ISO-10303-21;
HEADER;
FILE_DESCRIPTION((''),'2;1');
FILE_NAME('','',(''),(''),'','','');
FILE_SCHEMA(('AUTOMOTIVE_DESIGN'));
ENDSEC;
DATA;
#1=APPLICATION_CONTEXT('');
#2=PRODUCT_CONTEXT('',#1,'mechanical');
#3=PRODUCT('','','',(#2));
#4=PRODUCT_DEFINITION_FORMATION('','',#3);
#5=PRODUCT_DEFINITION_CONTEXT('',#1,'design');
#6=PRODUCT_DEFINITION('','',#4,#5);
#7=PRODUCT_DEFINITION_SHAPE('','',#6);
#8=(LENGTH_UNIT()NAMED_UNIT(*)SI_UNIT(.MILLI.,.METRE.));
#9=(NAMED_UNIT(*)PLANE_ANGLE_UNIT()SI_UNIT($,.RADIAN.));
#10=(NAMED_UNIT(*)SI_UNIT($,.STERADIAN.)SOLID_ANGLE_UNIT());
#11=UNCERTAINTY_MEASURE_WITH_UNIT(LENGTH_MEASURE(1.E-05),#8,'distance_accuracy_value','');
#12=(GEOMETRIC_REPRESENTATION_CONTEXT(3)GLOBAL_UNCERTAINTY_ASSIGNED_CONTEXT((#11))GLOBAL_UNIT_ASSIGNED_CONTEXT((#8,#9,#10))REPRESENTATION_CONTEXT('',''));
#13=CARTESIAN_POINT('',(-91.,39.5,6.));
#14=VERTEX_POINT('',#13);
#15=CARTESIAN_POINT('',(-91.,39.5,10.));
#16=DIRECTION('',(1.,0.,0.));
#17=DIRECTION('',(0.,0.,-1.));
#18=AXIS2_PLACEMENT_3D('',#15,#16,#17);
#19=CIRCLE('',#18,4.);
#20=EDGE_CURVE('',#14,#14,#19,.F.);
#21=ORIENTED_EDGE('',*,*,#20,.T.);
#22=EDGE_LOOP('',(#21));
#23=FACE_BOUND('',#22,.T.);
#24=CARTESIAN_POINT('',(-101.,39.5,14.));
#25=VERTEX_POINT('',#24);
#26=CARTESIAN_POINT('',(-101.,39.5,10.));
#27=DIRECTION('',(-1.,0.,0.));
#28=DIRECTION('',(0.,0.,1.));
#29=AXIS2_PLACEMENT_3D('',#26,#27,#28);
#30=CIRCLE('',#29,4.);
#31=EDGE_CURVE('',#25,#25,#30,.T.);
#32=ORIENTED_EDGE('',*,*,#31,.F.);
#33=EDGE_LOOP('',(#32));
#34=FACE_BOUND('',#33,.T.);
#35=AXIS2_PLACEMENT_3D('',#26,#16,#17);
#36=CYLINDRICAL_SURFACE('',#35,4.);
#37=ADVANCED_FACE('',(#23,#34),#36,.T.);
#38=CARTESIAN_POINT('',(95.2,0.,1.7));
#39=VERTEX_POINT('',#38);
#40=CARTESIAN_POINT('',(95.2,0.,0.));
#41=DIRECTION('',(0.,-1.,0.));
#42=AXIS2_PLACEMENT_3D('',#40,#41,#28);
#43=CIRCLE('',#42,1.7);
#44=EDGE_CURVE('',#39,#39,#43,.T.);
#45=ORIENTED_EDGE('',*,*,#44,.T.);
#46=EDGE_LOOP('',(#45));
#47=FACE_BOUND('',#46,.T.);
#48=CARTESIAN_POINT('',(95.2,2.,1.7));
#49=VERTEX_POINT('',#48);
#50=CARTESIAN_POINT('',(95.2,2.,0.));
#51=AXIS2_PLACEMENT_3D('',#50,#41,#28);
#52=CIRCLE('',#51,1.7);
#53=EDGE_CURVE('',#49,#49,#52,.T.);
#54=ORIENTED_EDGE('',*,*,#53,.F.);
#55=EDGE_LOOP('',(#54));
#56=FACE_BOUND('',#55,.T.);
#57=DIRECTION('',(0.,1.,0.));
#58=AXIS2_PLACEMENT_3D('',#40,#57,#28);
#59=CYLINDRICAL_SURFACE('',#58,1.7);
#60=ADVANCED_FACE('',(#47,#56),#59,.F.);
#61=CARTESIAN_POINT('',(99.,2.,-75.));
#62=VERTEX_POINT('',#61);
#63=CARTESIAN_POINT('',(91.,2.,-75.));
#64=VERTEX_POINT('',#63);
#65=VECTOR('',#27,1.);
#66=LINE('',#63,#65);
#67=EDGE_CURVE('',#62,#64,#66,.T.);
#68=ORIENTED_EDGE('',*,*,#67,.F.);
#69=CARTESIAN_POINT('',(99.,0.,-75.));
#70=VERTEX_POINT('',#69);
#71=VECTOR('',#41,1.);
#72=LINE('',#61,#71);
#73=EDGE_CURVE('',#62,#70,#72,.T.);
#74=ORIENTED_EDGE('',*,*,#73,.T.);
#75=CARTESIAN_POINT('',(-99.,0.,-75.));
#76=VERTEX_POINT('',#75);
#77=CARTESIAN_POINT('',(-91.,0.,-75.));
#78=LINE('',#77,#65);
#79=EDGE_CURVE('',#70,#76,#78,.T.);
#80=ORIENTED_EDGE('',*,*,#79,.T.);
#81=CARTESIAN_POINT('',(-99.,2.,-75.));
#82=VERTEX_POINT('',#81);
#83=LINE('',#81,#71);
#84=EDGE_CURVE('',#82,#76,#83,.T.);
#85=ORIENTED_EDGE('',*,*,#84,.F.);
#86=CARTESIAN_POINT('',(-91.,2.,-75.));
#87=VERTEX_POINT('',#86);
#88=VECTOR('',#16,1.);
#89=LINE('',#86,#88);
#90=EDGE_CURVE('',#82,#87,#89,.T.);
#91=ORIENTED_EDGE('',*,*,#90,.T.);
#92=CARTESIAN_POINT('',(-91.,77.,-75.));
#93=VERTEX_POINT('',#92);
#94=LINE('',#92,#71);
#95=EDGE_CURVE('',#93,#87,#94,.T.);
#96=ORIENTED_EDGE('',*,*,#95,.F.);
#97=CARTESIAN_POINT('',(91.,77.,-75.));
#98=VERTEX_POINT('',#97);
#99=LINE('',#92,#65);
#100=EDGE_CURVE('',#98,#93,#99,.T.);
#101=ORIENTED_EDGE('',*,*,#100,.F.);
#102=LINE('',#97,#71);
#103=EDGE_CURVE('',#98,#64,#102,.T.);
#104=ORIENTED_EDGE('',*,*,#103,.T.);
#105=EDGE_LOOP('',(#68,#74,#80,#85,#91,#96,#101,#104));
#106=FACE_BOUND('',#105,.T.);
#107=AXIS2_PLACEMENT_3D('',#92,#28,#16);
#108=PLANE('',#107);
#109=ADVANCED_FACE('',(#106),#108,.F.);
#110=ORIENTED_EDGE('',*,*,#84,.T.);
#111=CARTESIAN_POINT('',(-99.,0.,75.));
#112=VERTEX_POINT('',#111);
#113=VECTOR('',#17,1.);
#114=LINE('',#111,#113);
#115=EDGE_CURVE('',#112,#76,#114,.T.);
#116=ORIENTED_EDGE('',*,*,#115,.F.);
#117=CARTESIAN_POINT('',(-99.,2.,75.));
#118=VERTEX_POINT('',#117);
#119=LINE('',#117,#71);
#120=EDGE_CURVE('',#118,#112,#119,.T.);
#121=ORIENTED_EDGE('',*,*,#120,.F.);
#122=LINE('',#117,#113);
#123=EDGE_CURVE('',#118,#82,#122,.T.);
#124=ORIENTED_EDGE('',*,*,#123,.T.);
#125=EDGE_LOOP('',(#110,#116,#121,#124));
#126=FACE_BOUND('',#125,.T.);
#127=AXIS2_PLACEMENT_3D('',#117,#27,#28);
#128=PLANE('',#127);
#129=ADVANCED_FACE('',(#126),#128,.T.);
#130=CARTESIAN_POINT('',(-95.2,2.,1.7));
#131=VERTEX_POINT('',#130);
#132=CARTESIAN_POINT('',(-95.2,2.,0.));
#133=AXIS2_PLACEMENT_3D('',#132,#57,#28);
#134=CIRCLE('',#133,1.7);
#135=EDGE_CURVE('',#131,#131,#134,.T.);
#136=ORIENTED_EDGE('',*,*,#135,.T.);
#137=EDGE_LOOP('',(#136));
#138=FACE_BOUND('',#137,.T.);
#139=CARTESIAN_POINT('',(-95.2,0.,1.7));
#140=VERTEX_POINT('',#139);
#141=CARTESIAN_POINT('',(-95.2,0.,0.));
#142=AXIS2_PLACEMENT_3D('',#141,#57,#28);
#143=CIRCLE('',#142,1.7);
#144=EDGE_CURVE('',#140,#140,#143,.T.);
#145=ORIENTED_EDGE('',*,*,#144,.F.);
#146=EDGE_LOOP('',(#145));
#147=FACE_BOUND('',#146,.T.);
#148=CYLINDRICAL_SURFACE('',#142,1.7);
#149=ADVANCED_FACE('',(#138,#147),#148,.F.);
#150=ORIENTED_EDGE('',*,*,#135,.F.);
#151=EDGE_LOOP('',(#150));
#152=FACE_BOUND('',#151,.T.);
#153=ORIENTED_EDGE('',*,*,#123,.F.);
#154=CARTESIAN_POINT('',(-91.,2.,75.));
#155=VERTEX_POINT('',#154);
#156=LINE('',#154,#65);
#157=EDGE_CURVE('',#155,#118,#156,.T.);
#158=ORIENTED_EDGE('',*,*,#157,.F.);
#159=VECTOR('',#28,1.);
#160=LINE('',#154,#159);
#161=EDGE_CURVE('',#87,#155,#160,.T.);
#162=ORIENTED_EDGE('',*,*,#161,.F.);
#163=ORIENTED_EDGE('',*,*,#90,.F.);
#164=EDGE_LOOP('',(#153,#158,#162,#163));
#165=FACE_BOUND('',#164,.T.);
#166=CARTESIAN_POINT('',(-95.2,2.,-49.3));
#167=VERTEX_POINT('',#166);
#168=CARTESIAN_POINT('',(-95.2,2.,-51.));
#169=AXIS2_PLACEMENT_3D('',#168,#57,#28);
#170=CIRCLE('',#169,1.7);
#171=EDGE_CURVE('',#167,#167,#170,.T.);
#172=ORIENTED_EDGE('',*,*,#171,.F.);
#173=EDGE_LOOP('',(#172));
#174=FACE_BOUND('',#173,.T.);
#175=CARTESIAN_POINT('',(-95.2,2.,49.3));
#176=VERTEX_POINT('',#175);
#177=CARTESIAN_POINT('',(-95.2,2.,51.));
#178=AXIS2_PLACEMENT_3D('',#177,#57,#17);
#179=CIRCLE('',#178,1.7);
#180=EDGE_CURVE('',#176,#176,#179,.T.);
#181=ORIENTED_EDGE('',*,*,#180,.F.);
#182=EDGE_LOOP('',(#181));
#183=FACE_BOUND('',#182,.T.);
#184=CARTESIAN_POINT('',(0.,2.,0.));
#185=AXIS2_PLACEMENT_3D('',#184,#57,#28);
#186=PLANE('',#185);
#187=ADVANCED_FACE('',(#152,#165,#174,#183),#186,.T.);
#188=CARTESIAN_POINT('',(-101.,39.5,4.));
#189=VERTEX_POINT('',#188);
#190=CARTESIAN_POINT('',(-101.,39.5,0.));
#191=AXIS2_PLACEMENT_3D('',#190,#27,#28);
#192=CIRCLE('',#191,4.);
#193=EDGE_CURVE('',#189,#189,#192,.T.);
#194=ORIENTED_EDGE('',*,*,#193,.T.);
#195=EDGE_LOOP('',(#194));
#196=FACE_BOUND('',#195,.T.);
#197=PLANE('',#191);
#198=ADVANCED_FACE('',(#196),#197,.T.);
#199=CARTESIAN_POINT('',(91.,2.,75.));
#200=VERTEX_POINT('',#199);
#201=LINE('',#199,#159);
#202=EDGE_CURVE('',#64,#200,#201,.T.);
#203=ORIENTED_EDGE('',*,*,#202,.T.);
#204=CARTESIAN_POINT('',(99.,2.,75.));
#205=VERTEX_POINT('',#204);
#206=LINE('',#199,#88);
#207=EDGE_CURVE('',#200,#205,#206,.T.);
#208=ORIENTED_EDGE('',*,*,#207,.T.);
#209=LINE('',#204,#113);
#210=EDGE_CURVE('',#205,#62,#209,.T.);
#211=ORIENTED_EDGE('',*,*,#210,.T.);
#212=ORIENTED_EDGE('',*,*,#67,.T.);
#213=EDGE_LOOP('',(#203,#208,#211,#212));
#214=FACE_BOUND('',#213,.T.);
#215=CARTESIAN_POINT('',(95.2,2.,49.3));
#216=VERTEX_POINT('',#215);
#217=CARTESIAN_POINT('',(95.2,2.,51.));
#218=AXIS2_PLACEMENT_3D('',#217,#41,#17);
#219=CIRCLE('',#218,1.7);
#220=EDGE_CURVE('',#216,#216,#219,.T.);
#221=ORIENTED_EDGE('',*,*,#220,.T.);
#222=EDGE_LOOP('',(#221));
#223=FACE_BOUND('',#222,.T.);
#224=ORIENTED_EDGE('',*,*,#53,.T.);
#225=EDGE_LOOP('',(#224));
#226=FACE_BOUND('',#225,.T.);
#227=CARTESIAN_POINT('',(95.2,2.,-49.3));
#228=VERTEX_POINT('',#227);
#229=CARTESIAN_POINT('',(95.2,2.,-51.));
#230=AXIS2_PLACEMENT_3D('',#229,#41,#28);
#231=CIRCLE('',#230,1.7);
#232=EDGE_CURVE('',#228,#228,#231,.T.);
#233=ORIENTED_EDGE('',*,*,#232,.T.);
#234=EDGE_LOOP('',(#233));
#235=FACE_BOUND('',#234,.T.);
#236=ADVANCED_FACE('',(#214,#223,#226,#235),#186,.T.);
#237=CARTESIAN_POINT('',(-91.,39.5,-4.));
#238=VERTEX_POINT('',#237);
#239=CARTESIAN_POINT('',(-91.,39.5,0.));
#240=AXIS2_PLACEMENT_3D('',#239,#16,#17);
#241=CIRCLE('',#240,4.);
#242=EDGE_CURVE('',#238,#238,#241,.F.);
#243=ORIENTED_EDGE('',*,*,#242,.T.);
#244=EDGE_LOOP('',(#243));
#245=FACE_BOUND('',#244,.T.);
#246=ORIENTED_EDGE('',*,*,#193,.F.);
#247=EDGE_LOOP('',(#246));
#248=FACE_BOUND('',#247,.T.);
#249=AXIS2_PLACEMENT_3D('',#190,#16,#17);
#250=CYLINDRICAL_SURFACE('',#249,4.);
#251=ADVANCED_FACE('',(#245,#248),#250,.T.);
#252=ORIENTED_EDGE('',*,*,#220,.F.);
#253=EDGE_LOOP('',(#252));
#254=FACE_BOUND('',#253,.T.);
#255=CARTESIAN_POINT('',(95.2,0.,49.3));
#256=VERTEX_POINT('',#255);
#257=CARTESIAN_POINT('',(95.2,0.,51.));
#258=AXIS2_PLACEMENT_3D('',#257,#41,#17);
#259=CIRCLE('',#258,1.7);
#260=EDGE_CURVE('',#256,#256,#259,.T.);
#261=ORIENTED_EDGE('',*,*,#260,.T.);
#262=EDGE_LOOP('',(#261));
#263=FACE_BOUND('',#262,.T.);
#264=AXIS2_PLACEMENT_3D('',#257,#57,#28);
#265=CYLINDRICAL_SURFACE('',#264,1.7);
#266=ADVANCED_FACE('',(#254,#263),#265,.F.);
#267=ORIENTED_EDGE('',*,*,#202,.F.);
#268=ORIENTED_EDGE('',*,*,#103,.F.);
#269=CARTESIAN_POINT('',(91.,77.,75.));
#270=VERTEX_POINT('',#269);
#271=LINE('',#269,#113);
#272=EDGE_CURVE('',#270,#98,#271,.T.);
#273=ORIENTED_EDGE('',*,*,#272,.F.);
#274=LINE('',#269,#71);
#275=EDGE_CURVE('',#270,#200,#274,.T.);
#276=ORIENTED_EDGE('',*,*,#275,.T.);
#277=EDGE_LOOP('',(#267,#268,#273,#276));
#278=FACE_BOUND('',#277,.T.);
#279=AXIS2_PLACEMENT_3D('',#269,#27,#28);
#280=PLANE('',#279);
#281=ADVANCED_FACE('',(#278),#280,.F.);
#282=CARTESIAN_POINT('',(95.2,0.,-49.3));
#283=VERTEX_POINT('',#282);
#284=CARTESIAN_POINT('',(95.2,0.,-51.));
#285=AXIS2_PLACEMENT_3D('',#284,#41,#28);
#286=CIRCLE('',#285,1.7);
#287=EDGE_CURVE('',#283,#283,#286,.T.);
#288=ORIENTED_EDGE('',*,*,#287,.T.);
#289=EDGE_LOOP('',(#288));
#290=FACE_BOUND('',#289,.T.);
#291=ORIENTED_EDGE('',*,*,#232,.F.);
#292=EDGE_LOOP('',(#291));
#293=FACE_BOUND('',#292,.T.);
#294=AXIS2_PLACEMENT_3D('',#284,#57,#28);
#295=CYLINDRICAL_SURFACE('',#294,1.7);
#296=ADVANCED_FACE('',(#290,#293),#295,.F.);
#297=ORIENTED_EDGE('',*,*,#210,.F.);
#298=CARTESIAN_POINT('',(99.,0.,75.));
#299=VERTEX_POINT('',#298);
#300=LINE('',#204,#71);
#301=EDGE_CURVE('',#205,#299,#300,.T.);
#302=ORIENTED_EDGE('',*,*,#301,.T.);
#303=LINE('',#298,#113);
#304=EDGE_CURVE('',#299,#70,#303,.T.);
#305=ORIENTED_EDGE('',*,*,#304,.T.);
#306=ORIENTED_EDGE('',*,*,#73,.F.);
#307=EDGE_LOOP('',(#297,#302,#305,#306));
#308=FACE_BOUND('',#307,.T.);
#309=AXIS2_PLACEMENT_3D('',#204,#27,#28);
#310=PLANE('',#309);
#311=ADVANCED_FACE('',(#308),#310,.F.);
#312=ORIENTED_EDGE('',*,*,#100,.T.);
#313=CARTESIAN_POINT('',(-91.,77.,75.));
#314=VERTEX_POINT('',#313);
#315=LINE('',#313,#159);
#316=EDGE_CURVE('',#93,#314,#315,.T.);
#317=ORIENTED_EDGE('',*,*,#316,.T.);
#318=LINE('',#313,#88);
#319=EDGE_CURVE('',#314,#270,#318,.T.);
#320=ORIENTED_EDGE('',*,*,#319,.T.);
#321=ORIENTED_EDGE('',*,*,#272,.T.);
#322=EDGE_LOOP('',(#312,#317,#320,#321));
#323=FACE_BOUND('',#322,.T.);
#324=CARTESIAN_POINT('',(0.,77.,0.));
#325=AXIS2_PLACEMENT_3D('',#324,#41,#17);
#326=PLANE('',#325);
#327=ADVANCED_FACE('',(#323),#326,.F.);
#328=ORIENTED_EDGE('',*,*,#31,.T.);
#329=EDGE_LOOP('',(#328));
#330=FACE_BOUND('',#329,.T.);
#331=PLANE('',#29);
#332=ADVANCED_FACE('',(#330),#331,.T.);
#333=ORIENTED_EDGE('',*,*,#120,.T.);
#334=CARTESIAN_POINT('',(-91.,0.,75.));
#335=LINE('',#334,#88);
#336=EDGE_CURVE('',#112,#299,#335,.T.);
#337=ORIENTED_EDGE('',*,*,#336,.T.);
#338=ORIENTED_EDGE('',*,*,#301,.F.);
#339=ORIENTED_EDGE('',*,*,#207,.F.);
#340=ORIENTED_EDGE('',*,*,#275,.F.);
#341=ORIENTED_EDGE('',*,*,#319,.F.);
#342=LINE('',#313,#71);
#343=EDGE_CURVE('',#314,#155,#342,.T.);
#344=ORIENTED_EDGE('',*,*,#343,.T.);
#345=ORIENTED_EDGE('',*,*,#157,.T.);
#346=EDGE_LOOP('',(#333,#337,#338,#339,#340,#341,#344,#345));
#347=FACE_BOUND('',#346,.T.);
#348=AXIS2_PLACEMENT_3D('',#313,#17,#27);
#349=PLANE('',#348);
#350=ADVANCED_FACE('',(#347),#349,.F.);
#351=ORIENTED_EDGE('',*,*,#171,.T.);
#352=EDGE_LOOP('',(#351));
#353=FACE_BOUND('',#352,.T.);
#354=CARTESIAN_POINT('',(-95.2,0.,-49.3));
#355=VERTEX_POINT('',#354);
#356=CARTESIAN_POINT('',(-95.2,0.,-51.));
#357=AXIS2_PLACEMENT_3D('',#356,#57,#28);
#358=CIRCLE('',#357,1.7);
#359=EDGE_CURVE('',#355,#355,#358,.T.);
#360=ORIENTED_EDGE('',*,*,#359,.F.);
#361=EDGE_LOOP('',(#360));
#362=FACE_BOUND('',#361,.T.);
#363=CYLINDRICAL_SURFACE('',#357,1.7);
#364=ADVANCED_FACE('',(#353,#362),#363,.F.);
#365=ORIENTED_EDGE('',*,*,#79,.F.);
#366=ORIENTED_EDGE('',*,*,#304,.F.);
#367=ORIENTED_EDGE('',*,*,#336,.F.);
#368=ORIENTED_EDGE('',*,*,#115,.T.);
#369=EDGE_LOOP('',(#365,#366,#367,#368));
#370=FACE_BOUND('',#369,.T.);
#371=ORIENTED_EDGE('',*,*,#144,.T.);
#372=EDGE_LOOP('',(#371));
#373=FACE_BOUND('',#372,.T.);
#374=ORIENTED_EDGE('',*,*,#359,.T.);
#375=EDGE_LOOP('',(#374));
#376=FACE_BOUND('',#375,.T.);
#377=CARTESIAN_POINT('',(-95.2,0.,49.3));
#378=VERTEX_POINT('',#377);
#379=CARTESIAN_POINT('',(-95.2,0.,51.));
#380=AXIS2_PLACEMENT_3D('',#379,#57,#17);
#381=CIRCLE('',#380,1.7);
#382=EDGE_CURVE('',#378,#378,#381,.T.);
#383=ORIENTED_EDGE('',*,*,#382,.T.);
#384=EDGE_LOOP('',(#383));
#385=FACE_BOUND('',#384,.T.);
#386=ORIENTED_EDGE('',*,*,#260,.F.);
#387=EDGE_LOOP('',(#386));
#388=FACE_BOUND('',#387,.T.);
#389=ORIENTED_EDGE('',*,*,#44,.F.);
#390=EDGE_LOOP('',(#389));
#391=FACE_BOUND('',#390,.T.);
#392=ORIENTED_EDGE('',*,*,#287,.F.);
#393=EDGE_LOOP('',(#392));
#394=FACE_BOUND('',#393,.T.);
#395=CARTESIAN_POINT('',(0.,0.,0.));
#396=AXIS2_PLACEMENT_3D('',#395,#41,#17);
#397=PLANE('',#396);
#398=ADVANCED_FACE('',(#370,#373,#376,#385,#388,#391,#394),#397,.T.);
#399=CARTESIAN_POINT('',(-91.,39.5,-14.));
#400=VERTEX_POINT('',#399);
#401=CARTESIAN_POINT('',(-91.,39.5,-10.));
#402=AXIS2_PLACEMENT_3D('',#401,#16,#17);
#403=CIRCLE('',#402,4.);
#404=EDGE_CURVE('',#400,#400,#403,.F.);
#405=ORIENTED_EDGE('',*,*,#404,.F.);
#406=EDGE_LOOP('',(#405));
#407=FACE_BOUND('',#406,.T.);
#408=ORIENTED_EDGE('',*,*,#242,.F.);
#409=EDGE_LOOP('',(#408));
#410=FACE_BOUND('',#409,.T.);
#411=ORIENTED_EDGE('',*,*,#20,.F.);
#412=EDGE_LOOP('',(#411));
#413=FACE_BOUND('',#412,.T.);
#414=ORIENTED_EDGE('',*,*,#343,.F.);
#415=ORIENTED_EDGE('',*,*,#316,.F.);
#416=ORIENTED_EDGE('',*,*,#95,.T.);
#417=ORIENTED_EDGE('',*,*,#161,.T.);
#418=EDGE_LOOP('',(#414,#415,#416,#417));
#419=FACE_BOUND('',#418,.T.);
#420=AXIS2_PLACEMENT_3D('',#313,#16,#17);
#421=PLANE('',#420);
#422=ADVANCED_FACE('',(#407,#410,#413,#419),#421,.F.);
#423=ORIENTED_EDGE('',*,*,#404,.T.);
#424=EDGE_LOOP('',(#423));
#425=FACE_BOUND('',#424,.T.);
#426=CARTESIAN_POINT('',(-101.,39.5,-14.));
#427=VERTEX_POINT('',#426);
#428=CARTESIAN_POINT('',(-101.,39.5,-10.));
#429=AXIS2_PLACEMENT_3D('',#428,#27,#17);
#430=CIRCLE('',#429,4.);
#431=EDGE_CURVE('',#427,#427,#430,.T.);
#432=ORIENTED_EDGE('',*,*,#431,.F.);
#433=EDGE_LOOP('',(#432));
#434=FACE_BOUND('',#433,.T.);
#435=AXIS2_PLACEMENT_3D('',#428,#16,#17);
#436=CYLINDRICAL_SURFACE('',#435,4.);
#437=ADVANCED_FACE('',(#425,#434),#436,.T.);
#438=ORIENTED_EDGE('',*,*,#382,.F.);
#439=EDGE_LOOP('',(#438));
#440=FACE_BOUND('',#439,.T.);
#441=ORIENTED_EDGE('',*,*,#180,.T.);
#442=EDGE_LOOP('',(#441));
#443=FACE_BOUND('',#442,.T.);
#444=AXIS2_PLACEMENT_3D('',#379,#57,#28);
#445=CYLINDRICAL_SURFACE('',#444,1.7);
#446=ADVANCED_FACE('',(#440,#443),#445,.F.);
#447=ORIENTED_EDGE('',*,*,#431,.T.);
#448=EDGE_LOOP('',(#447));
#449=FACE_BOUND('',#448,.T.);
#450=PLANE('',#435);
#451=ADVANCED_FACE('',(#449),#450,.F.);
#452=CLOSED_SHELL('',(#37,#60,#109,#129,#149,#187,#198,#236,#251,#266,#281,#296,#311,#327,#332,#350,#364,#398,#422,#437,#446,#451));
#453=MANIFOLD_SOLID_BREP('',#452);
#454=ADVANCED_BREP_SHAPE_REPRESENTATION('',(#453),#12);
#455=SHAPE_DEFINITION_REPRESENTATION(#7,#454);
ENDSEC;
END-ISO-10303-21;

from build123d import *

# Parameters (mm, degrees)
SKETCH_1_W          = 182
SKETCH_1_H          = 150
EXTRUDE_1_DEPTH     = 77
SKETCH_2_W          = 8
SKETCH_2_H          = 150
EXTRUDE_2_DEPTH     = 2
SKETCH_3_R          = 1.7
CUT_EXTRUDE_1_DEPTH = 146.089627472
SKETCH_4_R          = 4
EXTRUDE_3_DEPTH     = 10


with BuildPart() as part:
    # 草图1 → 凸台-拉伸1 (new body)
    with BuildSketch(Plane(origin=(0, 0, 0), x_dir=(1, 0, 0), z_dir=(0, 1, 0))):
        Rectangle(SKETCH_1_W, SKETCH_1_H)
    extrude(amount=EXTRUDE_1_DEPTH)

    # 草图2 → 凸台-拉伸2 (add)
    with BuildSketch(Plane.XZ):
        with Locations((-95, 0)):
            Rectangle(SKETCH_2_W, SKETCH_2_H)
    extrude_2 = extrude(amount=-EXTRUDE_2_DEPTH)

    # 草图3 → 切除-拉伸1 (cut, through all)
    with BuildSketch(Plane(origin=(0, 2, 0), x_dir=(1, 0, 0), z_dir=(0, 1, 0))):
        with Locations(Location((-95.2, 51, 0), (0, 0, 270))):
            Circle(SKETCH_3_R)
        with Locations(Location((-95.2, -51, 0), (0, 0, 90))):
            Circle(SKETCH_3_R)
        with Locations(Location((-95.2, 0, 0), (0, 0, 270))):
            Circle(SKETCH_3_R)
    cut_extrude_1 = extrude(amount=-CUT_EXTRUDE_1_DEPTH, mode=Mode.SUBTRACT)

    # 镜向1: 凸台-拉伸2, 切除-拉伸1 across plane
    add(extrude_2.mirror(Plane(origin=(0, 0, 0), x_dir=(0, 0, 1), z_dir=(1, 0, 0))))
    add(cut_extrude_1.mirror(Plane(origin=(0, 0, 0), x_dir=(0, 0, 1), z_dir=(1, 0, 0))), mode=Mode.SUBTRACT)

    # 草图4 → 凸台-拉伸3 (add)
    with BuildSketch(Plane.ZY.offset(91)):
        with Locations(Location((0, 39.5, 0), (0, 0, 180))):
            Circle(SKETCH_4_R)
        with Locations(Location((10, 39.5, 0), (0, 0, 180))):
            Circle(SKETCH_4_R)
        with Locations(Location((-10, 39.5, 0), (0, 0, 180))):
            Circle(SKETCH_4_R)
    extrude(amount=EXTRUDE_3_DEPTH)


solid = part.part
